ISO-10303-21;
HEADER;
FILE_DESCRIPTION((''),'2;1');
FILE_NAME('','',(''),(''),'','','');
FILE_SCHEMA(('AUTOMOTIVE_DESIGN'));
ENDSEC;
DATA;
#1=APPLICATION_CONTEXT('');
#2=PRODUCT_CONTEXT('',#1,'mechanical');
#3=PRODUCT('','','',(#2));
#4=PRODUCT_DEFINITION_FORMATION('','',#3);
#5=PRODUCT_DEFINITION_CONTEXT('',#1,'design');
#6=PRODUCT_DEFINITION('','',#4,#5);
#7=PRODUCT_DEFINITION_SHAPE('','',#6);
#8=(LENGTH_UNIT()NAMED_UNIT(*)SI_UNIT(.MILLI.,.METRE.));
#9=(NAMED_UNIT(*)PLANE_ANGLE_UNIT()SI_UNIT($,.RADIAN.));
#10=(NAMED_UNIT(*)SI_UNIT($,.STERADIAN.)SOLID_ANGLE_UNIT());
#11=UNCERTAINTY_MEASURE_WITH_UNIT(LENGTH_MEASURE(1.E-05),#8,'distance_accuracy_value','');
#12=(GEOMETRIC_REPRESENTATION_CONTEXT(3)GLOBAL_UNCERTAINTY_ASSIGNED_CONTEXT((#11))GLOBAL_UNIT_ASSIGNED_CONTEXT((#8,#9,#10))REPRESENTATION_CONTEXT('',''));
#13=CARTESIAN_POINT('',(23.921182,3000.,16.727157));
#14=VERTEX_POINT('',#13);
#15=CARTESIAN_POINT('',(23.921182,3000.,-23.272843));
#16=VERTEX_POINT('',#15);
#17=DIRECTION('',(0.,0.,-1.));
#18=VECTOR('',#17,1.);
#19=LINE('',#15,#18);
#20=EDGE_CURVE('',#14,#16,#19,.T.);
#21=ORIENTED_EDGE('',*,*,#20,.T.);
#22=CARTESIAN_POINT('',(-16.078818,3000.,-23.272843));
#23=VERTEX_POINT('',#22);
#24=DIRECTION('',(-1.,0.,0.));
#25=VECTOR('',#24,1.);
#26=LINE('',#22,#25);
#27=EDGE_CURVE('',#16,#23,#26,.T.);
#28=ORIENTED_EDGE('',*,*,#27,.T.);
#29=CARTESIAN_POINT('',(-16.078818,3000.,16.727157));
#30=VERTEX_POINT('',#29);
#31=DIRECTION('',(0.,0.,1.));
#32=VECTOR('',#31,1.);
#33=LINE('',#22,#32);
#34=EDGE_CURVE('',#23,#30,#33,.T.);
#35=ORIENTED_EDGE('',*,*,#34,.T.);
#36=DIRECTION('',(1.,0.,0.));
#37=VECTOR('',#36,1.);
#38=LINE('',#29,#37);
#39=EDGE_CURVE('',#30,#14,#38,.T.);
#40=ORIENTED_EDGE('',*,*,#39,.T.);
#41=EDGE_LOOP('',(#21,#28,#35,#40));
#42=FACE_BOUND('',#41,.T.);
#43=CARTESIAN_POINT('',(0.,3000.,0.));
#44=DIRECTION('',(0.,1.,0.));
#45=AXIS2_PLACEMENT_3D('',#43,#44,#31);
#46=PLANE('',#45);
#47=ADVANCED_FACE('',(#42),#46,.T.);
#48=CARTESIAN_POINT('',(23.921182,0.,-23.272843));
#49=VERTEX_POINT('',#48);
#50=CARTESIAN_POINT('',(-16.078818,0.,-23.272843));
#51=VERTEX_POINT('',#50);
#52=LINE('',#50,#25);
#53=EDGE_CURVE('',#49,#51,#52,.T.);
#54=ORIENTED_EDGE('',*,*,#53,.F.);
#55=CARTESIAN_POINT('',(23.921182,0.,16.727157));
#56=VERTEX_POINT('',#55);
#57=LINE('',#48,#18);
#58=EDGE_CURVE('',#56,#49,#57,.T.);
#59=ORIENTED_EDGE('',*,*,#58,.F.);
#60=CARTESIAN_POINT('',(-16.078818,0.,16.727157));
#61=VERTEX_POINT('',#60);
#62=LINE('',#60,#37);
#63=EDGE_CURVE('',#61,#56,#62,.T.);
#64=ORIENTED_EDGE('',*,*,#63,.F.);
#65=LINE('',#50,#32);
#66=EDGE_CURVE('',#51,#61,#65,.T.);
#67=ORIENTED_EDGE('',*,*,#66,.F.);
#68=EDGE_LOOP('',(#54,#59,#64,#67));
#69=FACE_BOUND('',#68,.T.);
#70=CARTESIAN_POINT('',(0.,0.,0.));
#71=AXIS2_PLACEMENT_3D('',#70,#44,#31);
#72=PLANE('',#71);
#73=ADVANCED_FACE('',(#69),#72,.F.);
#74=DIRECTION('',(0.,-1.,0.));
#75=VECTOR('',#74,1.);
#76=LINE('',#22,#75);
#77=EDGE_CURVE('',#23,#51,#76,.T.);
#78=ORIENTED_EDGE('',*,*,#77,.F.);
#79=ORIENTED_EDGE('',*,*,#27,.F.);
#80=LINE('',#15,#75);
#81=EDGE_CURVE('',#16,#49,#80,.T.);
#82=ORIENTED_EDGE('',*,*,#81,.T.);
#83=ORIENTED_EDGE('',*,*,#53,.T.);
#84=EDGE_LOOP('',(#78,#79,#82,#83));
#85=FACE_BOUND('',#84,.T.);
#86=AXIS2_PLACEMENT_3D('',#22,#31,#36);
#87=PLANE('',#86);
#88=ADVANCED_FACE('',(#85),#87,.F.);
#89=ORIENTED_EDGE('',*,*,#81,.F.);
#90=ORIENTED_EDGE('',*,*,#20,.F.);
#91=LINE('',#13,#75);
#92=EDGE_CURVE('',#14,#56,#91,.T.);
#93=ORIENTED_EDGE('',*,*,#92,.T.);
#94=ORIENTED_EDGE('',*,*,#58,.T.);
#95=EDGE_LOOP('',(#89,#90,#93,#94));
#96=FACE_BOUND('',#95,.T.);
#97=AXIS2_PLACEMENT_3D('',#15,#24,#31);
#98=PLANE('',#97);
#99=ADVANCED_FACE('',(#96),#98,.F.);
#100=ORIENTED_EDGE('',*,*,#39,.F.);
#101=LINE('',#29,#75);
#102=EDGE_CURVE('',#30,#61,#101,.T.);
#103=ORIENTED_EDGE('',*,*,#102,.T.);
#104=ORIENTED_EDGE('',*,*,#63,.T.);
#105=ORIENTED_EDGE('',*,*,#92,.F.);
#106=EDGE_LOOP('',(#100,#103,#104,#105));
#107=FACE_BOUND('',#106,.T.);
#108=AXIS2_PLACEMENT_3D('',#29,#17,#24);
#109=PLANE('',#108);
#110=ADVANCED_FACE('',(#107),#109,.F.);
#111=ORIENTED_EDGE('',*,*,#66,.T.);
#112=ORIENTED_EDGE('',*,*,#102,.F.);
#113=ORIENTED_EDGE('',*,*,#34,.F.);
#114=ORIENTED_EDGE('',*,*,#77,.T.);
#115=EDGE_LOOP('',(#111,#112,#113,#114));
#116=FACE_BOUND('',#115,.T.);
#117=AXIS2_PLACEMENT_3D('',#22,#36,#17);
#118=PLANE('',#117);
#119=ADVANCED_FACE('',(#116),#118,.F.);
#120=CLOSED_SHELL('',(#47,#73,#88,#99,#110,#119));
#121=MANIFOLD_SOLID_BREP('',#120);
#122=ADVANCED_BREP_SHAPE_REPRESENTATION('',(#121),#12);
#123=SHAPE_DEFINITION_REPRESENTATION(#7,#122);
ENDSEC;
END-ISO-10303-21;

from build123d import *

# Parameters (mm, degrees)
SKETCH_1_W      = 40
SKETCH_1_H      = 40
EXTRUDE_1_DEPTH = 3000


with BuildPart() as part:
    # Эскиз1 → Бобышка-Вытянуть1 (new body)
    with BuildSketch(Plane(origin=(0, 0, 0), x_dir=(1, 0, 0), z_dir=(0, 1, 0))):
        with Locations((3.921182266, 3.272842841)):
            Rectangle(SKETCH_1_W, SKETCH_1_H)
    extrude(amount=EXTRUDE_1_DEPTH)


solid = part.part
